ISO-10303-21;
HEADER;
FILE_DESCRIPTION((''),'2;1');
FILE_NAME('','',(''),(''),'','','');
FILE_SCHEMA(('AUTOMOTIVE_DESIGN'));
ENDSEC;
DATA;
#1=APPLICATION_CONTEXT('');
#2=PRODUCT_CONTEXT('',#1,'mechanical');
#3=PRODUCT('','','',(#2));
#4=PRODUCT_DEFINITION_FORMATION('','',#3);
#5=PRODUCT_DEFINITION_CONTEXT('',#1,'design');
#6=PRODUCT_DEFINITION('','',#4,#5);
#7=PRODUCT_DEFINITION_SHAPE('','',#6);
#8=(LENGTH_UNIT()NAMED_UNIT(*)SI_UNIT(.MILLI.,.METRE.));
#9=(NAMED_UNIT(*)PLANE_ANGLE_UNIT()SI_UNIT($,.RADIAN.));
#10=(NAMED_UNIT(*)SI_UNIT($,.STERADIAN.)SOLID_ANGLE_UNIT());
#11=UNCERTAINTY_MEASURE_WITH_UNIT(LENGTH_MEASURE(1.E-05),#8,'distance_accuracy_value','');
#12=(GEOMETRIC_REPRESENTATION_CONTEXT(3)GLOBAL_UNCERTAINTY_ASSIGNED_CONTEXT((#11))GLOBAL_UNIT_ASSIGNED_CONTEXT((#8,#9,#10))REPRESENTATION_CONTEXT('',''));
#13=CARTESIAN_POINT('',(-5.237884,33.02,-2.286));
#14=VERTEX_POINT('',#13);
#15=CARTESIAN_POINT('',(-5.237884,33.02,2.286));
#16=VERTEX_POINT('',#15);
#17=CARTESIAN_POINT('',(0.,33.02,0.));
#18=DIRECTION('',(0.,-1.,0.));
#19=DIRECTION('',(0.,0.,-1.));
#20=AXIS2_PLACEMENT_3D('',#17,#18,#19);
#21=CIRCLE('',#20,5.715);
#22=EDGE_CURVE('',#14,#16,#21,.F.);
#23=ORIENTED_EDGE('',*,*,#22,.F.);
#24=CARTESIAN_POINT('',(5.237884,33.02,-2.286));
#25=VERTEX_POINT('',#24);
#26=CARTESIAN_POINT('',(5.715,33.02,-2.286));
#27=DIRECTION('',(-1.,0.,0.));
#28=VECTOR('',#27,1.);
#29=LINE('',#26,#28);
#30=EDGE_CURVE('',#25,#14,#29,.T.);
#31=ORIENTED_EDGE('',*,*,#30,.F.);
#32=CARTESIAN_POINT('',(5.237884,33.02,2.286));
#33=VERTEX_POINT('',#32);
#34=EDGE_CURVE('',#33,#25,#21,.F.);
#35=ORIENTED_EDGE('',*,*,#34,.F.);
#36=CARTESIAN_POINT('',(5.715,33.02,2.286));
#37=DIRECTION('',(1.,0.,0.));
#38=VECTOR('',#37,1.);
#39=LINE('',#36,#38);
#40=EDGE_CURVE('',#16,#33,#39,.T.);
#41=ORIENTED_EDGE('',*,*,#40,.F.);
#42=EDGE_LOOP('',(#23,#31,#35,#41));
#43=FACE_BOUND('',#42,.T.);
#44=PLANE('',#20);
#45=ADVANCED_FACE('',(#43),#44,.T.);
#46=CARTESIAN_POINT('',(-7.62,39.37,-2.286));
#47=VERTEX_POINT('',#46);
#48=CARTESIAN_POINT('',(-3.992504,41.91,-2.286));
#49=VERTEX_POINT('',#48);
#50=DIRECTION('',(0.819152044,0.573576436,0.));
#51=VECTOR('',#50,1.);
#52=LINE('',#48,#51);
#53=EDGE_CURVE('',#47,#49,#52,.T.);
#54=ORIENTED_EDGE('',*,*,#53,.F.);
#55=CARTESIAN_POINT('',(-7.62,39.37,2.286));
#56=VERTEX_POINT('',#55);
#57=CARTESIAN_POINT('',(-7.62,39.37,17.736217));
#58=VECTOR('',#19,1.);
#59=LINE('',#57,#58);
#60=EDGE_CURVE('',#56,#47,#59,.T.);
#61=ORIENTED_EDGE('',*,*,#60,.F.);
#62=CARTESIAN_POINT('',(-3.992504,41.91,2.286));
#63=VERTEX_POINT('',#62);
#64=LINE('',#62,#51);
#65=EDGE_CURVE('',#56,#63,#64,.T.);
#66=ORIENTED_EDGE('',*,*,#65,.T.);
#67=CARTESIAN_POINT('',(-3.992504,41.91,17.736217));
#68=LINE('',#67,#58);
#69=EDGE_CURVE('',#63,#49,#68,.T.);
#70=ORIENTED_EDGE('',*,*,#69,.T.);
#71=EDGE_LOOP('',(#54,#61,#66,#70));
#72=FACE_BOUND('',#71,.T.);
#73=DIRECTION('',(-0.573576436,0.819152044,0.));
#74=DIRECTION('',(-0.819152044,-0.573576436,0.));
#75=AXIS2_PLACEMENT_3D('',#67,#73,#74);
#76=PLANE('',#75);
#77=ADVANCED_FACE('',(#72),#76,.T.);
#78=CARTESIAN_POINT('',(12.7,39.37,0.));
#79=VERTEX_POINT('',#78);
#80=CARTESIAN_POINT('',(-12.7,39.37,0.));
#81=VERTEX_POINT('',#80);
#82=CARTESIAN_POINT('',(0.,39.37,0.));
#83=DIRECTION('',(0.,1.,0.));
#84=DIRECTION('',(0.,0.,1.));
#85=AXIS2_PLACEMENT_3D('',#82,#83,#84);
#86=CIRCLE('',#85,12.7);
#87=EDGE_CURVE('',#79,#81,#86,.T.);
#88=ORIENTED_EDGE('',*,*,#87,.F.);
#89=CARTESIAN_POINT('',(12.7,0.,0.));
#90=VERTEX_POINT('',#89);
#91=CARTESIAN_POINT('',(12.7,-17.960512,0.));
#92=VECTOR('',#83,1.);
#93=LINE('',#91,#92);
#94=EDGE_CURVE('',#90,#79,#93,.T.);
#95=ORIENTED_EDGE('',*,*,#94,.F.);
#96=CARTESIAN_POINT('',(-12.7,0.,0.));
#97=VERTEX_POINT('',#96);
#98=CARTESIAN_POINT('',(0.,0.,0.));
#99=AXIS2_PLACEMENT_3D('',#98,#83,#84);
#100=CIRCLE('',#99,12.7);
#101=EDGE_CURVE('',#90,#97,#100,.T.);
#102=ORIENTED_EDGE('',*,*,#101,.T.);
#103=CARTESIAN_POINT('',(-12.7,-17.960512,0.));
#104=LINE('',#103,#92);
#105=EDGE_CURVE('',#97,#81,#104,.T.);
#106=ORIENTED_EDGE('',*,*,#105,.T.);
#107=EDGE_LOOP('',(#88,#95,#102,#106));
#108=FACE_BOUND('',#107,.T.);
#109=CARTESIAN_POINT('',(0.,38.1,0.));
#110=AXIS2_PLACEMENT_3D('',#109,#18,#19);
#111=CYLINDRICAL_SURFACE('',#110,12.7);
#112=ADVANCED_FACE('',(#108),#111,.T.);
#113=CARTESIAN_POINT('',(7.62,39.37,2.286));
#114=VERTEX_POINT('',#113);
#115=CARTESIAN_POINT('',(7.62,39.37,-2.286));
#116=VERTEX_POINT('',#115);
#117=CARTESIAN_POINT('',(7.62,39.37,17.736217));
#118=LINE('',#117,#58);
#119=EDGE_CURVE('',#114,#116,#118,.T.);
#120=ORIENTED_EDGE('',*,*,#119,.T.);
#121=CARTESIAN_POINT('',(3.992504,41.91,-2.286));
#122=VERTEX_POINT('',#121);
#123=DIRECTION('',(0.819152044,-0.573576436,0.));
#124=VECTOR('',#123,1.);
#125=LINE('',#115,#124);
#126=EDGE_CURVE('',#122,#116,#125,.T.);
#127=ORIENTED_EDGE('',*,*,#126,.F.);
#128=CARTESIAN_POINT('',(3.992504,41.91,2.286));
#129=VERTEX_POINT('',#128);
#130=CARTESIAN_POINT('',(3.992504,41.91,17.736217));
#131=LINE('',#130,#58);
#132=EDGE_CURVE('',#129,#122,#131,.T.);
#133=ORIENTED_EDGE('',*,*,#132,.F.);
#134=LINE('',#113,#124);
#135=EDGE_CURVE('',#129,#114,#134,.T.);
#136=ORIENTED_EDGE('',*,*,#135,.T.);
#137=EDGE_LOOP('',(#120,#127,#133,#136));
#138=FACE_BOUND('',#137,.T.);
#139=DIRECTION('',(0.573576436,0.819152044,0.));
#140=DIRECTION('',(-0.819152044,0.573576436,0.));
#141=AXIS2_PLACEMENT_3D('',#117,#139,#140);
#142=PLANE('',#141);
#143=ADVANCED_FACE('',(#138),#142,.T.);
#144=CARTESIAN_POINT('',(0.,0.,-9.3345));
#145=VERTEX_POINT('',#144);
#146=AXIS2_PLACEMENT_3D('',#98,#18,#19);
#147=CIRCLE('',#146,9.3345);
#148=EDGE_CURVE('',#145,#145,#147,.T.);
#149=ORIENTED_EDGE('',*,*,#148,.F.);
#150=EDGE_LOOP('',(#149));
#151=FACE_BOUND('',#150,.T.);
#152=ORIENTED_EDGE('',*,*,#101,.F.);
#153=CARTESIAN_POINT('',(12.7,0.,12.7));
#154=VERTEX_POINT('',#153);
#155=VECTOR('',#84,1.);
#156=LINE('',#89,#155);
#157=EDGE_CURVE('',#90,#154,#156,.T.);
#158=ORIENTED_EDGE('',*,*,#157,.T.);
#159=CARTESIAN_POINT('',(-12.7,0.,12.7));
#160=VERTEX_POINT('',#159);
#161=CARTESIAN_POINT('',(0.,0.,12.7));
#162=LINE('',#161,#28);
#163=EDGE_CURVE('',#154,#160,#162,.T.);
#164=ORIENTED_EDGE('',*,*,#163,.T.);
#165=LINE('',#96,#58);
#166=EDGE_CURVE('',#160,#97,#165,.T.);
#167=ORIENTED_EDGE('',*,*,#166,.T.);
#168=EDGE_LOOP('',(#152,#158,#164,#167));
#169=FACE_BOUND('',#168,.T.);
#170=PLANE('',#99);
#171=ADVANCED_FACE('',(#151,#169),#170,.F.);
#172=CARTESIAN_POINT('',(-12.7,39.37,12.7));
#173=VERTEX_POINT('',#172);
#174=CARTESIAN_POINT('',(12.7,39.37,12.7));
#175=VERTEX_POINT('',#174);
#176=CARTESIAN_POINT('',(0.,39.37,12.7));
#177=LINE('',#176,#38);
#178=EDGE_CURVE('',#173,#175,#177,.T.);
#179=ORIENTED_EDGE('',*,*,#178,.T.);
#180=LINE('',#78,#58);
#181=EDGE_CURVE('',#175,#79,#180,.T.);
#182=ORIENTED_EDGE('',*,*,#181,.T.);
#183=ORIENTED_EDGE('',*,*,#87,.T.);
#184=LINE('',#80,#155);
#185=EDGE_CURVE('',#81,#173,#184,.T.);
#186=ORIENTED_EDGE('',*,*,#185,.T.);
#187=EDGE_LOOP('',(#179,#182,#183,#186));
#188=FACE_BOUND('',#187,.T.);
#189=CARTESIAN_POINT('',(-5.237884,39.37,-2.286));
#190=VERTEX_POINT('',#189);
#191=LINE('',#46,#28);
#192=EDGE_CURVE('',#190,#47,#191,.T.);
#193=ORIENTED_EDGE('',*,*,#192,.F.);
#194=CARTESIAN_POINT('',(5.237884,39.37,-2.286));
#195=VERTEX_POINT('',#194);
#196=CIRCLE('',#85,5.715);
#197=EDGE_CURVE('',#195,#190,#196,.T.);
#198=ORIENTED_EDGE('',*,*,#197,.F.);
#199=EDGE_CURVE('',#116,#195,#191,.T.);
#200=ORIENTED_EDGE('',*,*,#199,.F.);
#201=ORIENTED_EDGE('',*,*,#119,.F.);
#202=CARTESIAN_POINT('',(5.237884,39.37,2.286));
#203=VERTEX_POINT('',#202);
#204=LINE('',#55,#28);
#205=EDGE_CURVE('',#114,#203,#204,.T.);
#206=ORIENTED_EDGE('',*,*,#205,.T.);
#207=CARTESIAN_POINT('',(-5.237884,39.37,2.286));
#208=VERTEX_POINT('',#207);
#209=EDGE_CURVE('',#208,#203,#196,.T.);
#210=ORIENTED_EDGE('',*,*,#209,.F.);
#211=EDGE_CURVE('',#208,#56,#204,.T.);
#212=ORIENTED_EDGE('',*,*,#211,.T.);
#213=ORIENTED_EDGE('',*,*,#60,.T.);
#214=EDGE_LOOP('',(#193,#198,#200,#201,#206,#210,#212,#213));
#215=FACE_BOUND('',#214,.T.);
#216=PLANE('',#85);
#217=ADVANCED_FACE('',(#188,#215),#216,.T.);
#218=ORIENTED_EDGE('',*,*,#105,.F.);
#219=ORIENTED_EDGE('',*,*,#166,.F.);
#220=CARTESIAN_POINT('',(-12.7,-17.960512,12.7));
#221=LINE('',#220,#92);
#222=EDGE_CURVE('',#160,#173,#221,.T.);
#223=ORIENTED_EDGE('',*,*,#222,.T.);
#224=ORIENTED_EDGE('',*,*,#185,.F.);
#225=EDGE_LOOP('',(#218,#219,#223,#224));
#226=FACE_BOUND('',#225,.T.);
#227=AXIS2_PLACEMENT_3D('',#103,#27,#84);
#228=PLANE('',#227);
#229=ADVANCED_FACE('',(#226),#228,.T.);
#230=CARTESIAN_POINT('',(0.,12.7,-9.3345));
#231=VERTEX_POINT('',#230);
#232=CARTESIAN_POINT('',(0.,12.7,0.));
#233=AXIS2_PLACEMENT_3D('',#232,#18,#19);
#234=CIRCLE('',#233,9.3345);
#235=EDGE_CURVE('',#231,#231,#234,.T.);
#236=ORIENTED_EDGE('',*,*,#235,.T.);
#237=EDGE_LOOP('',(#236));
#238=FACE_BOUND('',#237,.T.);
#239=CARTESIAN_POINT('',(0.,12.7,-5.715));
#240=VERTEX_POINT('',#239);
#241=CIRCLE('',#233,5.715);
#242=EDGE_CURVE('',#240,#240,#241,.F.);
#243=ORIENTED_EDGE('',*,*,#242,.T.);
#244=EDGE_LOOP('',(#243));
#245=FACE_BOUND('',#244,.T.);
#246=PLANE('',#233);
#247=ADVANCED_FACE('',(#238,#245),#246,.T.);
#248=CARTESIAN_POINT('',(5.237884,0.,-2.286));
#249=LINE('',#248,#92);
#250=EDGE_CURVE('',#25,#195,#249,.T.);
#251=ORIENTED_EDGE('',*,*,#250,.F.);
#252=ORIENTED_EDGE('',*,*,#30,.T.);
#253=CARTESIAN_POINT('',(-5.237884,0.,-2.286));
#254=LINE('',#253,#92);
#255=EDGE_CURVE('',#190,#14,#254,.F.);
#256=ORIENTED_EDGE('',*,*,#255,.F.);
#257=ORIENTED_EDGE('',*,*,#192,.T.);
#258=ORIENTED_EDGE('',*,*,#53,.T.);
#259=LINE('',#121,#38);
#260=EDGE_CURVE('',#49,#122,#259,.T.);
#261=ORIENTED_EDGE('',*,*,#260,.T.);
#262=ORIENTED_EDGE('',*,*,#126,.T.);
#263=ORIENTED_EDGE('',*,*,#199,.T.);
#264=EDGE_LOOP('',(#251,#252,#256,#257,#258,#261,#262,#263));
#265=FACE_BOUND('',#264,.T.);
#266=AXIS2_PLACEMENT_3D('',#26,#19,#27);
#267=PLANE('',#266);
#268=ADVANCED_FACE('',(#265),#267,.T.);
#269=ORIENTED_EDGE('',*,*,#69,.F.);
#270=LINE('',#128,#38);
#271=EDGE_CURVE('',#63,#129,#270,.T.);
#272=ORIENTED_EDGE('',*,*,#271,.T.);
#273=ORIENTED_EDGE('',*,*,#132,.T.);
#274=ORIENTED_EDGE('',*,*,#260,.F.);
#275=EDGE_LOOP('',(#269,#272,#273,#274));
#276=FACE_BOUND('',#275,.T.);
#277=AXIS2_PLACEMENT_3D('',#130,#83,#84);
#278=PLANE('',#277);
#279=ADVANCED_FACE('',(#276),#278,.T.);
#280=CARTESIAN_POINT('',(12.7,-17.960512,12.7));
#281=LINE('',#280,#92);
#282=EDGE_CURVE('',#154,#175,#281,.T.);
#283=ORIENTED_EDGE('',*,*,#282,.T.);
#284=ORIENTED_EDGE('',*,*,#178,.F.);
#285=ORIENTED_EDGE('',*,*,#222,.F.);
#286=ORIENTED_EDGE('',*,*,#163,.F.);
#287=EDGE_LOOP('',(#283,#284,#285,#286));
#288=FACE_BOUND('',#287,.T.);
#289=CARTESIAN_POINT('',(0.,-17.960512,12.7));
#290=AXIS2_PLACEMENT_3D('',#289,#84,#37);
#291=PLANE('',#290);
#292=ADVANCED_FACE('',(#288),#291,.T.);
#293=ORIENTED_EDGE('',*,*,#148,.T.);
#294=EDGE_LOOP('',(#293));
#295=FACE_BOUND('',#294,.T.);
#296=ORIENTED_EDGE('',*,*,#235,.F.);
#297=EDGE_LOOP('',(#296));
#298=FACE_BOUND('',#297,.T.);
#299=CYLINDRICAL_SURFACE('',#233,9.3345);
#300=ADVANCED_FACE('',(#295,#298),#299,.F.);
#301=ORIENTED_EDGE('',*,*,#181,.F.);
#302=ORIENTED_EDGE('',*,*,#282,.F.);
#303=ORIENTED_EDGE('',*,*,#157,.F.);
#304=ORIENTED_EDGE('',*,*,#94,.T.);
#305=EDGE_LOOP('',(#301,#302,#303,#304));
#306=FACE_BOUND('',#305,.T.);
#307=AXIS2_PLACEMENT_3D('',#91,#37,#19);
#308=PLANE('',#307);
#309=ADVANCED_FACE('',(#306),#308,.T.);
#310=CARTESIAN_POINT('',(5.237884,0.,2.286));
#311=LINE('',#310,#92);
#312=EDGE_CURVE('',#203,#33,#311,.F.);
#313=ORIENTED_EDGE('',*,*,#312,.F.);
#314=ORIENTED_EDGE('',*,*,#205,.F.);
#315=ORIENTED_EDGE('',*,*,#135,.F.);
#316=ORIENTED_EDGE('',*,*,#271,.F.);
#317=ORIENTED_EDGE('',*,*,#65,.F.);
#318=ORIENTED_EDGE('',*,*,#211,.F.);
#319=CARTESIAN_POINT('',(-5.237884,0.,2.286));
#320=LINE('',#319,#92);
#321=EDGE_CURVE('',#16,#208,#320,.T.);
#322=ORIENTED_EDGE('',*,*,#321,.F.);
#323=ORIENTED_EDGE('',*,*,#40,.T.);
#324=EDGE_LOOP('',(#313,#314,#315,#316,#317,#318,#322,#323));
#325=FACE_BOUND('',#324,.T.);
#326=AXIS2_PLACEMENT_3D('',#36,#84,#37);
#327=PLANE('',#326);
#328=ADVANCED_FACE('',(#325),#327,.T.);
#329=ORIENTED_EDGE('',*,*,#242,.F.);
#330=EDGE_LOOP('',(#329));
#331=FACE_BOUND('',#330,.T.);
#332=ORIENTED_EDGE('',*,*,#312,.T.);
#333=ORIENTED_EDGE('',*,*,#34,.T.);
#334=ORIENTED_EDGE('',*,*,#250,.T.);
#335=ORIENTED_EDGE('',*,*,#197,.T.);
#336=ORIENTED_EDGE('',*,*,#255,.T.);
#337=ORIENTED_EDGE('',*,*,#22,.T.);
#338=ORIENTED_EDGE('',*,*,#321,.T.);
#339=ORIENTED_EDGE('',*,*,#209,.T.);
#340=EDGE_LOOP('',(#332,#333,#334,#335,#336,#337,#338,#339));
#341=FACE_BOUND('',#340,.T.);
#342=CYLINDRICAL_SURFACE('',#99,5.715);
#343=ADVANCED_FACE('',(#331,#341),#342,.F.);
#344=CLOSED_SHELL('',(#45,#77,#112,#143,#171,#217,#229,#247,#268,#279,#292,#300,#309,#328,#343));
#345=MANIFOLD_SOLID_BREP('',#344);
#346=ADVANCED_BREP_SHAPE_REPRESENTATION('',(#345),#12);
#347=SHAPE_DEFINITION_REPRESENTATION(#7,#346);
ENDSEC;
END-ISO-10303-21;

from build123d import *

# Parameters (mm, degrees)
SKETCH1_R           = 12.7
BOSS_EXTRUDE1_DEPTH = 38.1
SKETCH2_R           = 5.715
CUT_EXTRUDE1_DEPTH  = 43.121134838
SKETCH3_R           = 9.3345
CUT_EXTRUDE2_DEPTH  = 12.7
SKETCH4_R           = 12.7
SKETCH4_R_2         = 5.715
BOSS_EXTRUDE2_DEPTH = 1.27
SKETCH5_W           = 11.43
SKETCH5_H           = 4.572
BOSS_EXTRUDE3_DEPTH = 6.35
BOSS_EXTRUDE4_DEPTH = 4.572
BOSS_EXTRUDE5_START = -39.37
BOSS_EXTRUDE5_DEPTH = 39.37


with BuildPart() as part:
    # Sketch1 → Boss-Extrude1 (new body)
    with BuildSketch(Plane(origin=(0, 0, 0), x_dir=(1, 0, 0), z_dir=(0, 1, 0))):
        with Locations(Location((0, 0, 0), (0, 0, 90))):
            Circle(SKETCH1_R)
    extrude(amount=BOSS_EXTRUDE1_DEPTH)

    # Sketch2 → Cut-Extrude1 (cut, through all)
    with BuildSketch(Plane(origin=(0, 38.1, 0), x_dir=(1, 0, 0), z_dir=(0, 1, 0))):
        with Locations(Location((0, 0, 0), (0, 0, 270))):
            Circle(SKETCH2_R)
    extrude(amount=-CUT_EXTRUDE1_DEPTH, mode=Mode.SUBTRACT)

    # Sketch3 → Cut-Extrude2 (cut)
    with BuildSketch(Plane.XZ):
        with Locations(Location((0, 0, 0), (0, 0, 270))):
            Circle(SKETCH3_R)
    extrude(amount=-CUT_EXTRUDE2_DEPTH, mode=Mode.SUBTRACT)

    # Sketch4 → Boss-Extrude2 (add)
    with BuildSketch(Plane(origin=(0, 38.1, 0), x_dir=(1, 0, 0), z_dir=(0, 1, 0))):
        with Locations(Location((0, 0, 0), (0, 0, 90))):
            Circle(SKETCH4_R)
        with Locations(Location((0, 0, 0), (0, 0, 270))):
            Circle(SKETCH4_R_2, mode=Mode.SUBTRACT)
    extrude(amount=BOSS_EXTRUDE2_DEPTH)

    # Sketch5 → Boss-Extrude3 (add)
    with BuildSketch(Plane(origin=(0, 39.37, 0), x_dir=(1, 0, 0), z_dir=(0, 1, 0))):
        Rectangle(SKETCH5_W, SKETCH5_H)
    extrude(amount=-BOSS_EXTRUDE3_DEPTH)

    # Sketch6 → Boss-Extrude4 (add)
    with BuildSketch(Plane(origin=(0, 0, -2.286), x_dir=(-1, 0, 0), z_dir=(0, 0, -1))):
        Polygon((7.62, 39.37), (-7.62, 39.37), (-3.992504063, 41.91), (3.992504063, 41.91), align=None)
    extrude(amount=-BOSS_EXTRUDE4_DEPTH)

    # Sketch7 → Boss-Extrude5 (add)
    with BuildSketch(Plane(origin=(0, 39.37, 0), x_dir=(1, 0, 0), z_dir=(0, 1, 0)).offset(BOSS_EXTRUDE5_START)):
        with BuildLine():
            ThreePointArc((12.7, 0), (8.980256115, -8.980256127), (-1.7e-08, -12.7))
            Line((-1.7e-08, -12.7), (12.7, -12.7))
            Line((12.7, -12.7), (12.7, 0))
        make_face()
        with BuildLine():
            ThreePointArc((-1.7e-08, -12.7), (-8.980256127, -8.980256115), (-12.7, 0))
            Line((-12.7, 0), (-12.7, -12.7))
            Line((-12.7, -12.7), (-1.7e-08, -12.7))
        make_face()
    extrude(amount=BOSS_EXTRUDE5_DEPTH)


solid = part.part
